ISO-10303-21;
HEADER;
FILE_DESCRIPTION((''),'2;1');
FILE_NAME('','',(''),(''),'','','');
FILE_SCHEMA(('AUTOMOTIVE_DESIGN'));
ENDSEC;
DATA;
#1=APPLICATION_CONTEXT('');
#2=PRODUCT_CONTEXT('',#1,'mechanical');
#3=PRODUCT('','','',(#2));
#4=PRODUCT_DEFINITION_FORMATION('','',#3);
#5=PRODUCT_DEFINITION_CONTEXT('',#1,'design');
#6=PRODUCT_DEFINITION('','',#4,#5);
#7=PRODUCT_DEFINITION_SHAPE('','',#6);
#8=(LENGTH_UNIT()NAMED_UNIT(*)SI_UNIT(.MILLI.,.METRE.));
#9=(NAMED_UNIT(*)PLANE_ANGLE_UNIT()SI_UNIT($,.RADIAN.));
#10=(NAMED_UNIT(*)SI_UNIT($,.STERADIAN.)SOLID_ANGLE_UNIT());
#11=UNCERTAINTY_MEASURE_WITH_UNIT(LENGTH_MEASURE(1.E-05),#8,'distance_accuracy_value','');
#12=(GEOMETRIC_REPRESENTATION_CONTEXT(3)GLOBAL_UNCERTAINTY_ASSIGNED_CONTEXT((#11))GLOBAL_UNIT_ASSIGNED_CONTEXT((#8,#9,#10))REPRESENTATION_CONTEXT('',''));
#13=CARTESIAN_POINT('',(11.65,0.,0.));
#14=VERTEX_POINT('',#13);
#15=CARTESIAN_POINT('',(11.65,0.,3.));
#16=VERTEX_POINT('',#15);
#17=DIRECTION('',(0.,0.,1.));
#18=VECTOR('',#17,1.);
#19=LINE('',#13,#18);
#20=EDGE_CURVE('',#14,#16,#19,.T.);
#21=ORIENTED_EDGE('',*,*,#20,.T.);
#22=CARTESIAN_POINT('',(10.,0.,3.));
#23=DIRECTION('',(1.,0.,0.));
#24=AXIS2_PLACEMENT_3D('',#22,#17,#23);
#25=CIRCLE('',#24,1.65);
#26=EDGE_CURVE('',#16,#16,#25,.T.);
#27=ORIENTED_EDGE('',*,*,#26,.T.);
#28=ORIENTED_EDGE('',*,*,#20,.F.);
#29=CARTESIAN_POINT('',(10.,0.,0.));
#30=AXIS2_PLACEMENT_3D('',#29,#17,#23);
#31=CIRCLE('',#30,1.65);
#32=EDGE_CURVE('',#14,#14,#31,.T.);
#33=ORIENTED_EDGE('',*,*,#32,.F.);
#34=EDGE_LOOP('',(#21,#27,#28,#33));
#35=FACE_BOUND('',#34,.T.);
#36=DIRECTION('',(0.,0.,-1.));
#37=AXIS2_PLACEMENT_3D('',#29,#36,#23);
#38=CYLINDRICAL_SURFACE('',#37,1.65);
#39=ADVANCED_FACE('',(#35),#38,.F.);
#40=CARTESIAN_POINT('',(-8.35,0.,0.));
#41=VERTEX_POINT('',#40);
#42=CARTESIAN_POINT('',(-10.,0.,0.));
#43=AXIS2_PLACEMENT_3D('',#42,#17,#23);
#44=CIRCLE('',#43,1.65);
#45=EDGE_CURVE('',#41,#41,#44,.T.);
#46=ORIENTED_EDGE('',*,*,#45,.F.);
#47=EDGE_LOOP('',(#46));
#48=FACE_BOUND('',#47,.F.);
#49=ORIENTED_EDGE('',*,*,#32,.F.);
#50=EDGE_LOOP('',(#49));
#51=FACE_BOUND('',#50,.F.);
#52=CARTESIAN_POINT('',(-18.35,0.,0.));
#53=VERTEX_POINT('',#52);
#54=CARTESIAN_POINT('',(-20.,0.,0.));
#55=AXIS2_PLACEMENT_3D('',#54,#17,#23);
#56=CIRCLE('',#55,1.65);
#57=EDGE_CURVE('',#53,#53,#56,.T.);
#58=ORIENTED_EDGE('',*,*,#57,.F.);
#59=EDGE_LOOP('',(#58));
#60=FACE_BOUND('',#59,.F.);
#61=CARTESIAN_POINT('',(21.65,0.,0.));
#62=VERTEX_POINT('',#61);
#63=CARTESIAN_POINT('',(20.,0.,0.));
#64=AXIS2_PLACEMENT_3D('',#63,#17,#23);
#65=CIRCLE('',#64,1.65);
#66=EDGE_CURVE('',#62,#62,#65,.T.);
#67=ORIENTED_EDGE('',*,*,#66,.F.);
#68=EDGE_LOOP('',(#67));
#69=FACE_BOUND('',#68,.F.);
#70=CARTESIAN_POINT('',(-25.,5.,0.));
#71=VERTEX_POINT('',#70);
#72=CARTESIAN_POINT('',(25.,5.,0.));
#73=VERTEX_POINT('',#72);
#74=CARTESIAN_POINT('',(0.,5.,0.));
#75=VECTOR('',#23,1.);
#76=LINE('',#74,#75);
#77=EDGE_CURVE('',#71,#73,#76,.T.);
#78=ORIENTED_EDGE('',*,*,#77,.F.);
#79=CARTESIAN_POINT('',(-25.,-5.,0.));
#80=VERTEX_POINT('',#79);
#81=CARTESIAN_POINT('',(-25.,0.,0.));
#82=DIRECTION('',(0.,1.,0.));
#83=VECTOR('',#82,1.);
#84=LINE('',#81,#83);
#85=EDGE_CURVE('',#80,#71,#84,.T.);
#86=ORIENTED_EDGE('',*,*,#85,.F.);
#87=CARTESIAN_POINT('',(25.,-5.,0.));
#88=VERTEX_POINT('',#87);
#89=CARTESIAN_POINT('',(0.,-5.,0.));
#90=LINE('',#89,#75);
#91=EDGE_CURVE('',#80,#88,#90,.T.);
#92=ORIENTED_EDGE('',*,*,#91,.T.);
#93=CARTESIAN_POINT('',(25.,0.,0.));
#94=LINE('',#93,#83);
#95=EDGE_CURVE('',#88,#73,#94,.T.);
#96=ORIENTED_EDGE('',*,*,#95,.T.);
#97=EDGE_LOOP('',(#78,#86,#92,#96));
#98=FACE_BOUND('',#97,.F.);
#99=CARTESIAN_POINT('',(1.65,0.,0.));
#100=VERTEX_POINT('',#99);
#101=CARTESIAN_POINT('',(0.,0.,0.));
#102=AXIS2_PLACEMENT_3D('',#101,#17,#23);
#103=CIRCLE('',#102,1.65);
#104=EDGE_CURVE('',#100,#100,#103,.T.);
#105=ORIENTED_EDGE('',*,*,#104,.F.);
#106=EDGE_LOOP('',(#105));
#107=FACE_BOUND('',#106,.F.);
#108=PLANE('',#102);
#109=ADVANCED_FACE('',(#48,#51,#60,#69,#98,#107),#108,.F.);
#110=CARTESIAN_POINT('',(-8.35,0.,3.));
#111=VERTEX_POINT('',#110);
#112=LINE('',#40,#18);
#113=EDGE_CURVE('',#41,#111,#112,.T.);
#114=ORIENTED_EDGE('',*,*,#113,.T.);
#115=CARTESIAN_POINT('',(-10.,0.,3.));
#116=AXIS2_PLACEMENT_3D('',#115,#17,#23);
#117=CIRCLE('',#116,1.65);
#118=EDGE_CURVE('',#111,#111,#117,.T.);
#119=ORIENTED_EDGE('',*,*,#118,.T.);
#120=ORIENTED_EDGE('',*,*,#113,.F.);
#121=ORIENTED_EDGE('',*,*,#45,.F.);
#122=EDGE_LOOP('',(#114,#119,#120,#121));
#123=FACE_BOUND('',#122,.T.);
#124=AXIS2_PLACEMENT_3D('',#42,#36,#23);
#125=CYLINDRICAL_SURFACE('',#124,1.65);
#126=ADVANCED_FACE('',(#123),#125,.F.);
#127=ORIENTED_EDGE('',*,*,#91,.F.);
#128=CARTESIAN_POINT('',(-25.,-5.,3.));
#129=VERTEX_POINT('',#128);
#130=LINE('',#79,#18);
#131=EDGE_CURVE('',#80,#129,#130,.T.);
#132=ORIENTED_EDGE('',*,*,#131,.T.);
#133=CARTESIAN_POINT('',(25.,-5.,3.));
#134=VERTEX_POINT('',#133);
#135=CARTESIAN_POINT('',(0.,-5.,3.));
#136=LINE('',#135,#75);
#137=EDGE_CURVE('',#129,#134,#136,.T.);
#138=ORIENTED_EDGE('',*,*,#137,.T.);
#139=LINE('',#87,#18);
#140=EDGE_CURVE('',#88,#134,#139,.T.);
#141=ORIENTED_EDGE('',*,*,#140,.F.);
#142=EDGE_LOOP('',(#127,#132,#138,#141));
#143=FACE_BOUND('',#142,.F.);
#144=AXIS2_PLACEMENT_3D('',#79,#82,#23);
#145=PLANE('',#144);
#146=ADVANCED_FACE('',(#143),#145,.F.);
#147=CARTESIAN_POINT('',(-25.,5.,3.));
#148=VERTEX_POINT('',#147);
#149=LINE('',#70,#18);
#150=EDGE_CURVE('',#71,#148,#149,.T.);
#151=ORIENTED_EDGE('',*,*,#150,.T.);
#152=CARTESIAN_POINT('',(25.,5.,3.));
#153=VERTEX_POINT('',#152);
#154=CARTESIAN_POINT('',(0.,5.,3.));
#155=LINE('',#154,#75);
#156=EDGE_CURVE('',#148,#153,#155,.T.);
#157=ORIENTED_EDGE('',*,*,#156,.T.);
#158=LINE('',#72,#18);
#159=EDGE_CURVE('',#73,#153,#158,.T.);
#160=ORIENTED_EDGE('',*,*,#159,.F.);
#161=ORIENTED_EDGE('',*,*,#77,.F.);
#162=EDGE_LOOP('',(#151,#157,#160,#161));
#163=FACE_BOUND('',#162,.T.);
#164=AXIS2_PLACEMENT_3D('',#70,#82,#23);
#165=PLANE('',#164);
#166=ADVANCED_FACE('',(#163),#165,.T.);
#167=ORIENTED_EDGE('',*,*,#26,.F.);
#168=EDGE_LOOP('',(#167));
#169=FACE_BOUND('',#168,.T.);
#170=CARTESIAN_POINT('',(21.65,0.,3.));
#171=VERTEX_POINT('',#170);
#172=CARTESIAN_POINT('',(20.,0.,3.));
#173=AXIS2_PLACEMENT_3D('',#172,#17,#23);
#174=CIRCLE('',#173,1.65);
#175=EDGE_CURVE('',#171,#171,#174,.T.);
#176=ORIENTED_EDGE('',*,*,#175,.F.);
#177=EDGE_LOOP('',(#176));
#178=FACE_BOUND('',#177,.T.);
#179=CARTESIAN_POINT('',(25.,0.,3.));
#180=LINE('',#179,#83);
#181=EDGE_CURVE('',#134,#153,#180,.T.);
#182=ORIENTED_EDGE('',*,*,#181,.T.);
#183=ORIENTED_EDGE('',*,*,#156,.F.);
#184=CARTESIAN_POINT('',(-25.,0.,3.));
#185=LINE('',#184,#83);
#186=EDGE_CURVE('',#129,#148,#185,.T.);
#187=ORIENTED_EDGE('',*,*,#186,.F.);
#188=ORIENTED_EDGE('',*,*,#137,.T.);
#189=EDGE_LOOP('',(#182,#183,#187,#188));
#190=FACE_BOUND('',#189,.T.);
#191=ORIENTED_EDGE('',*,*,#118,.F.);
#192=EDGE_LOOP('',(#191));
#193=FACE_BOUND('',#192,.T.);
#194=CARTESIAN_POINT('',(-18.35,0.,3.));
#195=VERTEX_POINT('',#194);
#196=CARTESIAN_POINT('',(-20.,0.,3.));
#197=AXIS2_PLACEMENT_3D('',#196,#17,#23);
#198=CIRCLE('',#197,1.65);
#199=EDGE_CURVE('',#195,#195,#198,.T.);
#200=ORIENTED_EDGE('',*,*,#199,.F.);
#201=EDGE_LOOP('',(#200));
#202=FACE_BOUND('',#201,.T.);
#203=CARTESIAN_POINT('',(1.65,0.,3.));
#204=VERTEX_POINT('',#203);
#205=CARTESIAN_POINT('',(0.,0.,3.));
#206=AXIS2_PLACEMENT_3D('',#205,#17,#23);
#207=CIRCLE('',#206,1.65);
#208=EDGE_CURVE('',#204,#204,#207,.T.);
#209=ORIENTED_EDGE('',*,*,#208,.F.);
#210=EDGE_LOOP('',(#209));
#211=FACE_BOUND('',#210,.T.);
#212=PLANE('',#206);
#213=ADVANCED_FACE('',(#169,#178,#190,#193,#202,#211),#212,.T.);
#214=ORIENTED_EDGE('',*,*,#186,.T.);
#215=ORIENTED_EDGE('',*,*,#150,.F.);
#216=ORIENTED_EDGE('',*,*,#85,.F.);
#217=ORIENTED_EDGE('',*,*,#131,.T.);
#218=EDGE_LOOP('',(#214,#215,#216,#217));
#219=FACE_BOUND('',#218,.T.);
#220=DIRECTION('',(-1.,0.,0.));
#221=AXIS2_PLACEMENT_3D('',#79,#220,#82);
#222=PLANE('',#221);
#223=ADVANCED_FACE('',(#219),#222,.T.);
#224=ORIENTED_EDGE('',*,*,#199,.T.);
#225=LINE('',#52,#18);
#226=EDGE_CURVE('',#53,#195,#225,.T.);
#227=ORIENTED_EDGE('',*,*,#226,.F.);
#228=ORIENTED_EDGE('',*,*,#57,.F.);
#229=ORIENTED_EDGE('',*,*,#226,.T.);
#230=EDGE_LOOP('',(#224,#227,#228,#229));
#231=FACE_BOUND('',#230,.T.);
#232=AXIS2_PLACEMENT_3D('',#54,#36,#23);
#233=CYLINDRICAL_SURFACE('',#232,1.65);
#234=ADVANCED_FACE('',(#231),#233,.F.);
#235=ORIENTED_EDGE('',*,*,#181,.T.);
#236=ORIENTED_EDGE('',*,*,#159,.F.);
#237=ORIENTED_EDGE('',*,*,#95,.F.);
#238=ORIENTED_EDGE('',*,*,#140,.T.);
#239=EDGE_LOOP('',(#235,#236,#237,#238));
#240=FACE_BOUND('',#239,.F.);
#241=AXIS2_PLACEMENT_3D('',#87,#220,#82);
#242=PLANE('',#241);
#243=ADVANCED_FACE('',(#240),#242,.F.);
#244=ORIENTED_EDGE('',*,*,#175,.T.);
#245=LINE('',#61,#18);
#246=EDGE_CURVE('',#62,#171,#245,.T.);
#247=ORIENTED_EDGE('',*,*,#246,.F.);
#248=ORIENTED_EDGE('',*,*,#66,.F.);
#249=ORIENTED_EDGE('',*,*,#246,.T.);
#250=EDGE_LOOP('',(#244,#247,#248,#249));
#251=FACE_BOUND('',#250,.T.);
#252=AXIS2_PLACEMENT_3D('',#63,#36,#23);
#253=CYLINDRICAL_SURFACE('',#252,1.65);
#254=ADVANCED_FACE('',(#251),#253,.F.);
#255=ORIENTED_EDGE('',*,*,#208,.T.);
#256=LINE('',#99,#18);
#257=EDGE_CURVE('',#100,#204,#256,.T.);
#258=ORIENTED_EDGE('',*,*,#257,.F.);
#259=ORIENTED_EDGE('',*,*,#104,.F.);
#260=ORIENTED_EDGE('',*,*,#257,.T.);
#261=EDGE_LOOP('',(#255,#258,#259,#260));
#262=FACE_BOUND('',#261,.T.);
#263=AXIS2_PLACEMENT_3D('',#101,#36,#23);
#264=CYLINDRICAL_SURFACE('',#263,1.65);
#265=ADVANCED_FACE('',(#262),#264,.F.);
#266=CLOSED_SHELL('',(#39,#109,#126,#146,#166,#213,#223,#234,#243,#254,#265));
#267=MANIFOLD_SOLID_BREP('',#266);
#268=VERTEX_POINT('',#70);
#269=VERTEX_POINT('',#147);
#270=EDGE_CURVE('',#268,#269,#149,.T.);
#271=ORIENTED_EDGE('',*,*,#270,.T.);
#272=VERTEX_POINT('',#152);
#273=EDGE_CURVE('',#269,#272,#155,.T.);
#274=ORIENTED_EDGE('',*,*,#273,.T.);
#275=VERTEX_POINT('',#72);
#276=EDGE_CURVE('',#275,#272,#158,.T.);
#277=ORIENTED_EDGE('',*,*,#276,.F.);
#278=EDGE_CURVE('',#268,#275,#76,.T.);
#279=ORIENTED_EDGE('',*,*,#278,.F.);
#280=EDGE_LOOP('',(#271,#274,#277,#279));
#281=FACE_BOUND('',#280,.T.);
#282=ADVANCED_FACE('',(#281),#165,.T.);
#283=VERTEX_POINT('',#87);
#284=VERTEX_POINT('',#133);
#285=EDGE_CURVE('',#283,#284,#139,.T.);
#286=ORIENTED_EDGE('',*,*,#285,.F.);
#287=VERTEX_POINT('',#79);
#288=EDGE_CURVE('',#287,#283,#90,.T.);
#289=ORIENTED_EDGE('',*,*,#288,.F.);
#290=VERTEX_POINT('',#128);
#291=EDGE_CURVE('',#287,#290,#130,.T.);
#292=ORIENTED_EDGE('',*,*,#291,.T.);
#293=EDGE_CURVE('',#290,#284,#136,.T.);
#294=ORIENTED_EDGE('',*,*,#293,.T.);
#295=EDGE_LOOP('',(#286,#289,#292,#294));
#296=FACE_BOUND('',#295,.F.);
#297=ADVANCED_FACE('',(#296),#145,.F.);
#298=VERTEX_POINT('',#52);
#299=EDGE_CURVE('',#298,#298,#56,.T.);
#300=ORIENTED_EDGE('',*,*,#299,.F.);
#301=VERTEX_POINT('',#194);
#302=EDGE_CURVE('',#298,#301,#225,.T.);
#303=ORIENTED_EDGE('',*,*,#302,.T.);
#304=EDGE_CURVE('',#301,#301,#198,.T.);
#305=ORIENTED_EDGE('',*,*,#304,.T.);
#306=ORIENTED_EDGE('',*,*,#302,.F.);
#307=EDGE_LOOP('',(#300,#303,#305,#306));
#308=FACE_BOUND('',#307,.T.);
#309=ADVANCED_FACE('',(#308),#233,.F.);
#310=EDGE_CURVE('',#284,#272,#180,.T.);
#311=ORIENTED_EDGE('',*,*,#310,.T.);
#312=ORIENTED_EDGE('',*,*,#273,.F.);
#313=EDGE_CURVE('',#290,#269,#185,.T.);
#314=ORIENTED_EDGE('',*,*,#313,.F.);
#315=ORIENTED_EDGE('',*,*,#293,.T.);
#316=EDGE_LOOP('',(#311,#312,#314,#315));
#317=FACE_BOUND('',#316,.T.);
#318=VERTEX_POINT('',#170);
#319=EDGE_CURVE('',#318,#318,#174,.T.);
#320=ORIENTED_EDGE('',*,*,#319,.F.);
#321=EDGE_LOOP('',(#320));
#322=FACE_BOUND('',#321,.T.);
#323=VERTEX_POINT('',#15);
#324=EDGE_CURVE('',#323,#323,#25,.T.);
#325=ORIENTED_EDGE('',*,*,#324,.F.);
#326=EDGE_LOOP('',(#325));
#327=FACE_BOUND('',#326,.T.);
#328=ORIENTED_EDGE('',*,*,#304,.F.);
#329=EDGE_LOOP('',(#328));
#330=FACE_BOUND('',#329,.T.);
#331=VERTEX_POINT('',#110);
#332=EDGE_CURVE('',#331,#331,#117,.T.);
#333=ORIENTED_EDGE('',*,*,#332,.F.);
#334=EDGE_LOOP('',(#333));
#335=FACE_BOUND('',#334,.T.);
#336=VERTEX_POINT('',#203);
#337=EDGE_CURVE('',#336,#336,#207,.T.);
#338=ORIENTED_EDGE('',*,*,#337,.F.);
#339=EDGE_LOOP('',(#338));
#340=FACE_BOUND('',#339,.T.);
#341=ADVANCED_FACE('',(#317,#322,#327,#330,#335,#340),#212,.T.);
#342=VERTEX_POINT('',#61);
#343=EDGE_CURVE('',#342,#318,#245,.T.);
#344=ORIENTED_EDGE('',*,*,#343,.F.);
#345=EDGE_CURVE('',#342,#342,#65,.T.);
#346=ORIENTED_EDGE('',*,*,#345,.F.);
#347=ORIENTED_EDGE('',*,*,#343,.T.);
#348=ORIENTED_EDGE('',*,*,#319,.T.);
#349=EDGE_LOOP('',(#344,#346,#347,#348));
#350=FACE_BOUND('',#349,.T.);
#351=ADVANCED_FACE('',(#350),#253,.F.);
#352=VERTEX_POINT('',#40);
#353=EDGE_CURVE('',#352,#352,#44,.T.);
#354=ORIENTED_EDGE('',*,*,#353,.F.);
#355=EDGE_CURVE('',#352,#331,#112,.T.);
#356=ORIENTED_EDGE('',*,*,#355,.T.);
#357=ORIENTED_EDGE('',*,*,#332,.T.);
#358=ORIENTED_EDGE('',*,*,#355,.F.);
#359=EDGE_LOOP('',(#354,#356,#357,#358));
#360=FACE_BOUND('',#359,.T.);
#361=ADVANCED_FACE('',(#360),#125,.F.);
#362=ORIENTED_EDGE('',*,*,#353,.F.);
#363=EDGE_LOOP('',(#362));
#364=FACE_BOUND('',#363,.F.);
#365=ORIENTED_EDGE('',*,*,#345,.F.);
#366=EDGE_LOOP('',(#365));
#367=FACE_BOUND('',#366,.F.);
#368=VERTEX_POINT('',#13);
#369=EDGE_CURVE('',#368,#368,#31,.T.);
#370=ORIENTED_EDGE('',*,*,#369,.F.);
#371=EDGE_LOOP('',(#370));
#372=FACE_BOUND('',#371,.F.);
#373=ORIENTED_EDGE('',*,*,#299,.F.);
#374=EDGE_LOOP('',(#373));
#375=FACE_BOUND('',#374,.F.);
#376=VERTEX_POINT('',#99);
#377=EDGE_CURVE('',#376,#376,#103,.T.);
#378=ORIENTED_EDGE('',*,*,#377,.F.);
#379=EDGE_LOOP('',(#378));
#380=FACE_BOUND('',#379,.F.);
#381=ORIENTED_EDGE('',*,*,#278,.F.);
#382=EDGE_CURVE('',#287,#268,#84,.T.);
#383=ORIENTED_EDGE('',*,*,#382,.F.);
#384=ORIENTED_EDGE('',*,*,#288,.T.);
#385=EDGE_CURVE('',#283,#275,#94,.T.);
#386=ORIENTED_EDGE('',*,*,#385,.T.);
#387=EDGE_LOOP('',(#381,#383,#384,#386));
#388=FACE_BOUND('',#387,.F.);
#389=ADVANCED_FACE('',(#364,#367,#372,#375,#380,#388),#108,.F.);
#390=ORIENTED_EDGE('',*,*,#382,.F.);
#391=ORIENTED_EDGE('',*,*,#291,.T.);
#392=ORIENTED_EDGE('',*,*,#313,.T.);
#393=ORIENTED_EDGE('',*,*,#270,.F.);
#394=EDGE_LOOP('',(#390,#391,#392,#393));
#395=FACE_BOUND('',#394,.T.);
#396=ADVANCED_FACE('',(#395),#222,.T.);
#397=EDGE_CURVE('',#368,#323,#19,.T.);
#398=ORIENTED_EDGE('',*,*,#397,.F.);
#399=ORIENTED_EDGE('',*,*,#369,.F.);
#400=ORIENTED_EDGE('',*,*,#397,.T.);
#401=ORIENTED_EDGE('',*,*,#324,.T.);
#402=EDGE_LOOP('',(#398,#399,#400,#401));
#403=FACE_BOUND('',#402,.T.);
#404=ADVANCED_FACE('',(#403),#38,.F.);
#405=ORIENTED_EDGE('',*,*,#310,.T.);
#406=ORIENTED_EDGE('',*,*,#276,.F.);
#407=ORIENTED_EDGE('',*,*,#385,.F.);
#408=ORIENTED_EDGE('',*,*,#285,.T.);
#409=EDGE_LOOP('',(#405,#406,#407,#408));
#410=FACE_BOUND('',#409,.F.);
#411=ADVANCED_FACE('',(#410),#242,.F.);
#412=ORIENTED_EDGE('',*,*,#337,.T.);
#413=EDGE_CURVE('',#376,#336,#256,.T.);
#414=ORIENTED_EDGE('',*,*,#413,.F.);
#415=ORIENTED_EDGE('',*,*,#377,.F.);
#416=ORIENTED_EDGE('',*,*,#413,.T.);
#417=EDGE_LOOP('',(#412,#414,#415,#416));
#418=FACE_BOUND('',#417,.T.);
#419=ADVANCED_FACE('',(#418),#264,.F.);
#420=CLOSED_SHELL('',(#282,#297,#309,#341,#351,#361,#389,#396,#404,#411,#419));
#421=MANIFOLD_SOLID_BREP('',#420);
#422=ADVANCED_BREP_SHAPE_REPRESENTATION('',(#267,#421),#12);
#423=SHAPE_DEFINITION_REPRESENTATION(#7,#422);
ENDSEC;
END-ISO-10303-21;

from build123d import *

# Parameters (mm, degrees)
SKETCH_W         = 50
SKETCH_H         = 10
SKETCH_R         = 1.65
EXTRUDE_DEPTH    = 3
EXTRUDE001_DEPTH = 3


with BuildPart() as extrude_body:
    # Sketch → Extrude (new body)
    with BuildSketch(Plane.XY):
        Rectangle(SKETCH_W, SKETCH_H)
        Circle(SKETCH_R, mode=Mode.SUBTRACT)
        with Locations((-10, 0)):
            Circle(SKETCH_R, mode=Mode.SUBTRACT)
        with Locations((-20, 0)):
            Circle(SKETCH_R, mode=Mode.SUBTRACT)
        with Locations((10, 0)):
            Circle(SKETCH_R, mode=Mode.SUBTRACT)
        with Locations((20, 0)):
            Circle(SKETCH_R, mode=Mode.SUBTRACT)
    extrude(amount=EXTRUDE_DEPTH)


with BuildPart() as extrude001:
    # Sketch → Extrude001 (new body)
    with BuildSketch(Plane.XY):
        Rectangle(SKETCH_W, SKETCH_H)
        Circle(SKETCH_R, mode=Mode.SUBTRACT)
        with Locations((-10, 0)):
            Circle(SKETCH_R, mode=Mode.SUBTRACT)
        with Locations((-20, 0)):
            Circle(SKETCH_R, mode=Mode.SUBTRACT)
        with Locations((10, 0)):
            Circle(SKETCH_R, mode=Mode.SUBTRACT)
        with Locations((20, 0)):
            Circle(SKETCH_R, mode=Mode.SUBTRACT)
    extrude(amount=EXTRUDE001_DEPTH)


solid = Compound([extrude_body.part, extrude001.part])
